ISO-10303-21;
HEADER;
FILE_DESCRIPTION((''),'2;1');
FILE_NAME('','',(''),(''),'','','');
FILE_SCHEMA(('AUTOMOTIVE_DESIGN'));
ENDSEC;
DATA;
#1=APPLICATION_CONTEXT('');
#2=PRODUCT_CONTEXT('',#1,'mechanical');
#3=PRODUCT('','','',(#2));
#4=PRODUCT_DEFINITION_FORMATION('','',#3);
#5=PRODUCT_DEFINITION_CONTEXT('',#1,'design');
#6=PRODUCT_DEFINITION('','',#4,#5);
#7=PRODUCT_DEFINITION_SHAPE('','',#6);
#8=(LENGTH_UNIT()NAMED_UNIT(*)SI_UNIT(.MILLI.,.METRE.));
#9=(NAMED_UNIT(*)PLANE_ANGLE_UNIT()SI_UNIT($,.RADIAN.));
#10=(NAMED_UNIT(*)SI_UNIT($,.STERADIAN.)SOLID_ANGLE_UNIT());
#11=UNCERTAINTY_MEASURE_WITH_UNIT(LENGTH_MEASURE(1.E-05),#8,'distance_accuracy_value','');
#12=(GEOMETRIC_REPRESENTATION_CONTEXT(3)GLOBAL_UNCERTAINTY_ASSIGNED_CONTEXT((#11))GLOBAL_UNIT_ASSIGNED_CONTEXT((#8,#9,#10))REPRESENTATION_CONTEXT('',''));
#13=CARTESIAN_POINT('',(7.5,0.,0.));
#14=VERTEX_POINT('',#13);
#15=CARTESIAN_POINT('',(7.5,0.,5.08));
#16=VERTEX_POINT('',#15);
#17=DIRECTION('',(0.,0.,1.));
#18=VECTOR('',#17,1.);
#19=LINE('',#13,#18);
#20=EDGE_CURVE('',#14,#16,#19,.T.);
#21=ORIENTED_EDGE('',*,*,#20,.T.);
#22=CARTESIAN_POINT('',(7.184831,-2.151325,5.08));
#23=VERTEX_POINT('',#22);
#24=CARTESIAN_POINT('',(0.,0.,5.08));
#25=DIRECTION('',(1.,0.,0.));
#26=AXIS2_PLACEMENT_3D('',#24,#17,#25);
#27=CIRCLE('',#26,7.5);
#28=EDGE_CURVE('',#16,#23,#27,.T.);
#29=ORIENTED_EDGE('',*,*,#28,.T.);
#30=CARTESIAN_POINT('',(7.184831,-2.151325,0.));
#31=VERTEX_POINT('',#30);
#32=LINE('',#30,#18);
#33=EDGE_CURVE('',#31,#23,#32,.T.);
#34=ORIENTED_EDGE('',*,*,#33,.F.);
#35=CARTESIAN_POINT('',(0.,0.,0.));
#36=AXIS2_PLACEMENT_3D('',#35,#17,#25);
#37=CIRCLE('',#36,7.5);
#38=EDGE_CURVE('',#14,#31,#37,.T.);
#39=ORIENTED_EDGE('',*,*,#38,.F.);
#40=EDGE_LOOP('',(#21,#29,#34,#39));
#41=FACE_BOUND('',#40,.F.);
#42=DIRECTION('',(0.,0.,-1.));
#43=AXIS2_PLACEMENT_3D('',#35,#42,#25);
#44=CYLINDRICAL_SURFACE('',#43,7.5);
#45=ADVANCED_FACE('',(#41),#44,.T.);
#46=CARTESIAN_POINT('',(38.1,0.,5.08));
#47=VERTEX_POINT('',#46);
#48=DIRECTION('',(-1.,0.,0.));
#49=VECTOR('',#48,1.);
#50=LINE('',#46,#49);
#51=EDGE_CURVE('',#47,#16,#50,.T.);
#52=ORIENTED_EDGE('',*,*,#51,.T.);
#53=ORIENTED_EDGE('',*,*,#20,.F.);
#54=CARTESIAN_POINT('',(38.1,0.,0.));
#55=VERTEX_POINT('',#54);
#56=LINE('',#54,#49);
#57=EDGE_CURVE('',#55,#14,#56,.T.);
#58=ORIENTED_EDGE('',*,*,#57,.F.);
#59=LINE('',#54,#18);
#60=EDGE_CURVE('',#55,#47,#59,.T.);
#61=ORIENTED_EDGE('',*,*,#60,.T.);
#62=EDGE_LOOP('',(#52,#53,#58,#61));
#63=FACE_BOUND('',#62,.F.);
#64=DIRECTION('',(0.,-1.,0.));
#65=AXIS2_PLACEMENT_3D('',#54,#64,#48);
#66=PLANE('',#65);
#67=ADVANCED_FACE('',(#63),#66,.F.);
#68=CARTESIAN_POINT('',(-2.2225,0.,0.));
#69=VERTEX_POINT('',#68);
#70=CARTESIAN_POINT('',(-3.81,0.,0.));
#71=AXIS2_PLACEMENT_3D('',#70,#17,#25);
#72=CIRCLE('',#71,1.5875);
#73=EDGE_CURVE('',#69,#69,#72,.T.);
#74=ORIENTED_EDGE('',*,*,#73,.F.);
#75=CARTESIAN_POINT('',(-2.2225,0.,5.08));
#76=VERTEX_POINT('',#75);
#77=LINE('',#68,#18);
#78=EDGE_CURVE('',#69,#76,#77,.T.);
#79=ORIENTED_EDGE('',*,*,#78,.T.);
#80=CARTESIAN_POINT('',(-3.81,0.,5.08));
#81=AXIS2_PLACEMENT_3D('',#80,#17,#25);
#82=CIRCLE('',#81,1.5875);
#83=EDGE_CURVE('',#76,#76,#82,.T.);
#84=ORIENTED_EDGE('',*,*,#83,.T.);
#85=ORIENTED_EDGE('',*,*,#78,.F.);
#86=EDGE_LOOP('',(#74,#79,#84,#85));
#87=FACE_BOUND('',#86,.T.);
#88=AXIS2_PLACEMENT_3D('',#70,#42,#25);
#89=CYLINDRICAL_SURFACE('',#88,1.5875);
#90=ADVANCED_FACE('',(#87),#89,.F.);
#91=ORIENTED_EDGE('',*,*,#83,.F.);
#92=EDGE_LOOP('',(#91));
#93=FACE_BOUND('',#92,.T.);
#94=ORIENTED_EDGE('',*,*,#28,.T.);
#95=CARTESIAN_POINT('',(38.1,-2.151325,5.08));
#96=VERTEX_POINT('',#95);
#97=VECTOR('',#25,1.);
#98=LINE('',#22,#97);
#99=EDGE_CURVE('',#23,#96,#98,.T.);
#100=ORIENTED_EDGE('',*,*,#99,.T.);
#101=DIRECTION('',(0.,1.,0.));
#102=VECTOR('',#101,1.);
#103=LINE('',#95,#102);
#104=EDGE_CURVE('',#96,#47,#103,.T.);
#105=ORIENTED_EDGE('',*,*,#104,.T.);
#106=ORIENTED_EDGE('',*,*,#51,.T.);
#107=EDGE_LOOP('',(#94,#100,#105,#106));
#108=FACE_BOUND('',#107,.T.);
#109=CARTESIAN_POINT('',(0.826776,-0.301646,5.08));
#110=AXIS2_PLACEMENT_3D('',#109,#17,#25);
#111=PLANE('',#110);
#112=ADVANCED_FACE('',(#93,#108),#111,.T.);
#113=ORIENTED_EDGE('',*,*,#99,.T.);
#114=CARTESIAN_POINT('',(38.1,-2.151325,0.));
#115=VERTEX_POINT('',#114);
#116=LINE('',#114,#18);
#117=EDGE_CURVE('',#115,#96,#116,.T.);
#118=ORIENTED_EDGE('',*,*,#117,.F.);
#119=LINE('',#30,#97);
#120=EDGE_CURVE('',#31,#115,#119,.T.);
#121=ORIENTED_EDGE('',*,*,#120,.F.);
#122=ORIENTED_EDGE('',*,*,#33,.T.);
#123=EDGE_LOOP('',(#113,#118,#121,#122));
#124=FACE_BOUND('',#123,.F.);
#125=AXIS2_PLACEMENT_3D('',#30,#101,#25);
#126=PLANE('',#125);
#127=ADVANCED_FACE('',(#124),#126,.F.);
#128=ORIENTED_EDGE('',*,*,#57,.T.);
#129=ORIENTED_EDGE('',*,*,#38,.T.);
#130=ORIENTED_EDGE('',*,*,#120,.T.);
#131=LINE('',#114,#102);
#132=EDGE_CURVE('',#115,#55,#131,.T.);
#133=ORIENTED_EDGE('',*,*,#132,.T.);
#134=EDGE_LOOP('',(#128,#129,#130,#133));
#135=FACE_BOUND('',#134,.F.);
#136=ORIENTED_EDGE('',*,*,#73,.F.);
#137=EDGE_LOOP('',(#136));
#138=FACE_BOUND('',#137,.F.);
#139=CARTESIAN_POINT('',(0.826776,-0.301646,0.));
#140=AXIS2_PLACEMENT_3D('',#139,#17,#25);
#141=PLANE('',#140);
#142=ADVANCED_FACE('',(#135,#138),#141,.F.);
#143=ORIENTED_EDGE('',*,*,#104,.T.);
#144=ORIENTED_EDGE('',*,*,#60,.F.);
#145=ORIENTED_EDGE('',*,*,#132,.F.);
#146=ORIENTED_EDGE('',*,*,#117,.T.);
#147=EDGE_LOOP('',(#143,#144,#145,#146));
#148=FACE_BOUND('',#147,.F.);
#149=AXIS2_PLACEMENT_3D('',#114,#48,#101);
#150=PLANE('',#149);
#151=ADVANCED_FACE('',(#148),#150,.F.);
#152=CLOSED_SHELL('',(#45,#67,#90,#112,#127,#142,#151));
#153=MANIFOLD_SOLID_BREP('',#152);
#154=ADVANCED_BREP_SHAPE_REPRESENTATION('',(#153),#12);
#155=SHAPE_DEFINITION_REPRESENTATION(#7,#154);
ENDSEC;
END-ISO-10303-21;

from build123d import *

# Parameters (mm, degrees)
F0_R     = 1.5875
F1_DEPTH = 5.08


with BuildPart() as f1:
    # F0 (on Top) → F1 (new body)
    with BuildSketch(Plane.XY):
        with BuildLine():
            Line((0, 0), (7.5, 0))
            ThreePointArc((7.5, 0), (-7.4207895641, 1.0871440774), (7.1848314013, -2.1513246465))
            Line((7.1848314013, -2.1513246465), (0, -2.1513246465))
            Line((0, -2.1513246465), (0, 0))
        make_face()
        with Locations((-3.81, 0)):
            Circle(F0_R, mode=Mode.SUBTRACT)
        with BuildLine():
            Line((38.1, 0), (7.5, 0))
            ThreePointArc((7.5, 0), (7.4207895641, -1.0871440774), (7.1848314013, -2.1513246465))
            Line((7.1848314013, -2.1513246465), (38.1, -2.1513246465))
            Line((38.1, -2.1513246465), (38.1, 0))
        make_face()
        with BuildLine():
            ThreePointArc((7.1848314013, -2.1513246465), (7.4207895641, -1.0871440774), (7.5, 0))
            Line((7.5, 0), (0, 0))
            Line((0, 0), (0, -2.1513246465))
            Line((0, -2.1513246465), (7.1848314013, -2.1513246465))
        make_face()
    extrude(amount=F1_DEPTH)


solid = f1.part
